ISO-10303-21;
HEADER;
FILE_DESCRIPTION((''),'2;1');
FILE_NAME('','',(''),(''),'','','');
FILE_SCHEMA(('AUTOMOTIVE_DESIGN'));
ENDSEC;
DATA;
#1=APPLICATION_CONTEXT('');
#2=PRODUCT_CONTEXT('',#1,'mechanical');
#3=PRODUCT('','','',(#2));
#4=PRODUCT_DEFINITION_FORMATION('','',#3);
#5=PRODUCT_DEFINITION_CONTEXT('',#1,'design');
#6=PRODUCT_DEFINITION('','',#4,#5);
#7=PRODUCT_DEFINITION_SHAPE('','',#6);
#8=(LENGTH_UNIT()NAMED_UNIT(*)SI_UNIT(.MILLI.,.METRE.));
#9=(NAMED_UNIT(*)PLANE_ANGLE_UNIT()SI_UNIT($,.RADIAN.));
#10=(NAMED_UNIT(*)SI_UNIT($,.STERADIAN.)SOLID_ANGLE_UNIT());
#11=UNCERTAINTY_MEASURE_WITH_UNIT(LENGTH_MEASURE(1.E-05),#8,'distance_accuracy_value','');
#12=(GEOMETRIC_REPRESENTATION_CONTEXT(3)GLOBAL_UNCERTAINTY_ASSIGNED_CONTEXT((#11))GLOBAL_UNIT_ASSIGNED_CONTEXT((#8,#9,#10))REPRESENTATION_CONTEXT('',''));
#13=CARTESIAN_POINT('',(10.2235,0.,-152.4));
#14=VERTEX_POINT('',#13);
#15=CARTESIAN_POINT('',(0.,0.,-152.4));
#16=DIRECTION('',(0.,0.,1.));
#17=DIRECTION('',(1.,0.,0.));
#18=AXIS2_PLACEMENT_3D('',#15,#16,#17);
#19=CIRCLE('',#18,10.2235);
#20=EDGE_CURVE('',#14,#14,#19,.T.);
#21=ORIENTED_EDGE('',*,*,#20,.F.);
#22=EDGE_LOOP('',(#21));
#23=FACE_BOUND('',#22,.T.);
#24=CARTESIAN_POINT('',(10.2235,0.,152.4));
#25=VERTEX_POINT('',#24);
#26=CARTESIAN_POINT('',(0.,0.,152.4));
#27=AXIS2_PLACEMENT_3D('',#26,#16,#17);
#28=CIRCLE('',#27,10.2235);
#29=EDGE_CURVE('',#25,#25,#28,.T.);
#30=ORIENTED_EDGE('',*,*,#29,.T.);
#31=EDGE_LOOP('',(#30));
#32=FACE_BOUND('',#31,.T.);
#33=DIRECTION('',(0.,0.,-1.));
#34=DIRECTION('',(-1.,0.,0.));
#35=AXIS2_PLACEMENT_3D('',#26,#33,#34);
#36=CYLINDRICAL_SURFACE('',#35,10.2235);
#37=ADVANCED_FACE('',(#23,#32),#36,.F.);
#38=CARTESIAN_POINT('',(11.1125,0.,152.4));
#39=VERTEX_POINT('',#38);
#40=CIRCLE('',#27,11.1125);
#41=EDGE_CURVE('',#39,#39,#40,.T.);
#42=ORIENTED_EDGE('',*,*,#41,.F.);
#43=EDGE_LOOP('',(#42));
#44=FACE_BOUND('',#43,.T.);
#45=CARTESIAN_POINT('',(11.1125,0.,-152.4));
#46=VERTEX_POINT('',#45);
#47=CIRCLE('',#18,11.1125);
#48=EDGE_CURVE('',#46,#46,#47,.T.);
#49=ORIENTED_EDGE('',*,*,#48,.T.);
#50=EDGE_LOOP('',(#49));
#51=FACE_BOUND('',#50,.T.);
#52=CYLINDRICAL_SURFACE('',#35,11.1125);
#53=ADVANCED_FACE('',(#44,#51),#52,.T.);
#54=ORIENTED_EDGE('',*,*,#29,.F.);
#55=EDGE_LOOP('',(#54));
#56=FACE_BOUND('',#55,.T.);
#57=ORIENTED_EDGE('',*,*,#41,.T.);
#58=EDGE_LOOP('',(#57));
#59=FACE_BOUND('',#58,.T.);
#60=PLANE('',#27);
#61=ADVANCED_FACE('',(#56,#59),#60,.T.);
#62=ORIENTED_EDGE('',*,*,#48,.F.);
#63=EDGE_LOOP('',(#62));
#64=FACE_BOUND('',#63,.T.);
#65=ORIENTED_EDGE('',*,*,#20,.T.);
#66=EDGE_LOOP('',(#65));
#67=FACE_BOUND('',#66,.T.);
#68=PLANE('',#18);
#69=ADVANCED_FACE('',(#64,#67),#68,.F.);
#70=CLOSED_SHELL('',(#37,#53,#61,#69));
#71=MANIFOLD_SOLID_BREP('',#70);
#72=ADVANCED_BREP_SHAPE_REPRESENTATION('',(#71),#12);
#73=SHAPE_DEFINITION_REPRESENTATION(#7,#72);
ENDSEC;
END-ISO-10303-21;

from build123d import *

# Parameters (mm, degrees)
BOSS_EXTRUDE1_DEPTH      = 152.4
BOSS_EXTRUDE1_DEPTH_BACK = 152.4
SKETCH3_R                = 11.1125
SKETCH3_R_2              = 10.2235


with BuildPart() as part:
    # Sketch3 → Boss-Extrude1 (new, two sides: drawn at the far end of the back side and taken through both)
    with BuildSketch(Plane.XY.offset(-BOSS_EXTRUDE1_DEPTH_BACK)):
        Circle(SKETCH3_R)
        Circle(SKETCH3_R_2, mode=Mode.SUBTRACT)
    extrude(amount=BOSS_EXTRUDE1_DEPTH + BOSS_EXTRUDE1_DEPTH_BACK)


solid = part.part
